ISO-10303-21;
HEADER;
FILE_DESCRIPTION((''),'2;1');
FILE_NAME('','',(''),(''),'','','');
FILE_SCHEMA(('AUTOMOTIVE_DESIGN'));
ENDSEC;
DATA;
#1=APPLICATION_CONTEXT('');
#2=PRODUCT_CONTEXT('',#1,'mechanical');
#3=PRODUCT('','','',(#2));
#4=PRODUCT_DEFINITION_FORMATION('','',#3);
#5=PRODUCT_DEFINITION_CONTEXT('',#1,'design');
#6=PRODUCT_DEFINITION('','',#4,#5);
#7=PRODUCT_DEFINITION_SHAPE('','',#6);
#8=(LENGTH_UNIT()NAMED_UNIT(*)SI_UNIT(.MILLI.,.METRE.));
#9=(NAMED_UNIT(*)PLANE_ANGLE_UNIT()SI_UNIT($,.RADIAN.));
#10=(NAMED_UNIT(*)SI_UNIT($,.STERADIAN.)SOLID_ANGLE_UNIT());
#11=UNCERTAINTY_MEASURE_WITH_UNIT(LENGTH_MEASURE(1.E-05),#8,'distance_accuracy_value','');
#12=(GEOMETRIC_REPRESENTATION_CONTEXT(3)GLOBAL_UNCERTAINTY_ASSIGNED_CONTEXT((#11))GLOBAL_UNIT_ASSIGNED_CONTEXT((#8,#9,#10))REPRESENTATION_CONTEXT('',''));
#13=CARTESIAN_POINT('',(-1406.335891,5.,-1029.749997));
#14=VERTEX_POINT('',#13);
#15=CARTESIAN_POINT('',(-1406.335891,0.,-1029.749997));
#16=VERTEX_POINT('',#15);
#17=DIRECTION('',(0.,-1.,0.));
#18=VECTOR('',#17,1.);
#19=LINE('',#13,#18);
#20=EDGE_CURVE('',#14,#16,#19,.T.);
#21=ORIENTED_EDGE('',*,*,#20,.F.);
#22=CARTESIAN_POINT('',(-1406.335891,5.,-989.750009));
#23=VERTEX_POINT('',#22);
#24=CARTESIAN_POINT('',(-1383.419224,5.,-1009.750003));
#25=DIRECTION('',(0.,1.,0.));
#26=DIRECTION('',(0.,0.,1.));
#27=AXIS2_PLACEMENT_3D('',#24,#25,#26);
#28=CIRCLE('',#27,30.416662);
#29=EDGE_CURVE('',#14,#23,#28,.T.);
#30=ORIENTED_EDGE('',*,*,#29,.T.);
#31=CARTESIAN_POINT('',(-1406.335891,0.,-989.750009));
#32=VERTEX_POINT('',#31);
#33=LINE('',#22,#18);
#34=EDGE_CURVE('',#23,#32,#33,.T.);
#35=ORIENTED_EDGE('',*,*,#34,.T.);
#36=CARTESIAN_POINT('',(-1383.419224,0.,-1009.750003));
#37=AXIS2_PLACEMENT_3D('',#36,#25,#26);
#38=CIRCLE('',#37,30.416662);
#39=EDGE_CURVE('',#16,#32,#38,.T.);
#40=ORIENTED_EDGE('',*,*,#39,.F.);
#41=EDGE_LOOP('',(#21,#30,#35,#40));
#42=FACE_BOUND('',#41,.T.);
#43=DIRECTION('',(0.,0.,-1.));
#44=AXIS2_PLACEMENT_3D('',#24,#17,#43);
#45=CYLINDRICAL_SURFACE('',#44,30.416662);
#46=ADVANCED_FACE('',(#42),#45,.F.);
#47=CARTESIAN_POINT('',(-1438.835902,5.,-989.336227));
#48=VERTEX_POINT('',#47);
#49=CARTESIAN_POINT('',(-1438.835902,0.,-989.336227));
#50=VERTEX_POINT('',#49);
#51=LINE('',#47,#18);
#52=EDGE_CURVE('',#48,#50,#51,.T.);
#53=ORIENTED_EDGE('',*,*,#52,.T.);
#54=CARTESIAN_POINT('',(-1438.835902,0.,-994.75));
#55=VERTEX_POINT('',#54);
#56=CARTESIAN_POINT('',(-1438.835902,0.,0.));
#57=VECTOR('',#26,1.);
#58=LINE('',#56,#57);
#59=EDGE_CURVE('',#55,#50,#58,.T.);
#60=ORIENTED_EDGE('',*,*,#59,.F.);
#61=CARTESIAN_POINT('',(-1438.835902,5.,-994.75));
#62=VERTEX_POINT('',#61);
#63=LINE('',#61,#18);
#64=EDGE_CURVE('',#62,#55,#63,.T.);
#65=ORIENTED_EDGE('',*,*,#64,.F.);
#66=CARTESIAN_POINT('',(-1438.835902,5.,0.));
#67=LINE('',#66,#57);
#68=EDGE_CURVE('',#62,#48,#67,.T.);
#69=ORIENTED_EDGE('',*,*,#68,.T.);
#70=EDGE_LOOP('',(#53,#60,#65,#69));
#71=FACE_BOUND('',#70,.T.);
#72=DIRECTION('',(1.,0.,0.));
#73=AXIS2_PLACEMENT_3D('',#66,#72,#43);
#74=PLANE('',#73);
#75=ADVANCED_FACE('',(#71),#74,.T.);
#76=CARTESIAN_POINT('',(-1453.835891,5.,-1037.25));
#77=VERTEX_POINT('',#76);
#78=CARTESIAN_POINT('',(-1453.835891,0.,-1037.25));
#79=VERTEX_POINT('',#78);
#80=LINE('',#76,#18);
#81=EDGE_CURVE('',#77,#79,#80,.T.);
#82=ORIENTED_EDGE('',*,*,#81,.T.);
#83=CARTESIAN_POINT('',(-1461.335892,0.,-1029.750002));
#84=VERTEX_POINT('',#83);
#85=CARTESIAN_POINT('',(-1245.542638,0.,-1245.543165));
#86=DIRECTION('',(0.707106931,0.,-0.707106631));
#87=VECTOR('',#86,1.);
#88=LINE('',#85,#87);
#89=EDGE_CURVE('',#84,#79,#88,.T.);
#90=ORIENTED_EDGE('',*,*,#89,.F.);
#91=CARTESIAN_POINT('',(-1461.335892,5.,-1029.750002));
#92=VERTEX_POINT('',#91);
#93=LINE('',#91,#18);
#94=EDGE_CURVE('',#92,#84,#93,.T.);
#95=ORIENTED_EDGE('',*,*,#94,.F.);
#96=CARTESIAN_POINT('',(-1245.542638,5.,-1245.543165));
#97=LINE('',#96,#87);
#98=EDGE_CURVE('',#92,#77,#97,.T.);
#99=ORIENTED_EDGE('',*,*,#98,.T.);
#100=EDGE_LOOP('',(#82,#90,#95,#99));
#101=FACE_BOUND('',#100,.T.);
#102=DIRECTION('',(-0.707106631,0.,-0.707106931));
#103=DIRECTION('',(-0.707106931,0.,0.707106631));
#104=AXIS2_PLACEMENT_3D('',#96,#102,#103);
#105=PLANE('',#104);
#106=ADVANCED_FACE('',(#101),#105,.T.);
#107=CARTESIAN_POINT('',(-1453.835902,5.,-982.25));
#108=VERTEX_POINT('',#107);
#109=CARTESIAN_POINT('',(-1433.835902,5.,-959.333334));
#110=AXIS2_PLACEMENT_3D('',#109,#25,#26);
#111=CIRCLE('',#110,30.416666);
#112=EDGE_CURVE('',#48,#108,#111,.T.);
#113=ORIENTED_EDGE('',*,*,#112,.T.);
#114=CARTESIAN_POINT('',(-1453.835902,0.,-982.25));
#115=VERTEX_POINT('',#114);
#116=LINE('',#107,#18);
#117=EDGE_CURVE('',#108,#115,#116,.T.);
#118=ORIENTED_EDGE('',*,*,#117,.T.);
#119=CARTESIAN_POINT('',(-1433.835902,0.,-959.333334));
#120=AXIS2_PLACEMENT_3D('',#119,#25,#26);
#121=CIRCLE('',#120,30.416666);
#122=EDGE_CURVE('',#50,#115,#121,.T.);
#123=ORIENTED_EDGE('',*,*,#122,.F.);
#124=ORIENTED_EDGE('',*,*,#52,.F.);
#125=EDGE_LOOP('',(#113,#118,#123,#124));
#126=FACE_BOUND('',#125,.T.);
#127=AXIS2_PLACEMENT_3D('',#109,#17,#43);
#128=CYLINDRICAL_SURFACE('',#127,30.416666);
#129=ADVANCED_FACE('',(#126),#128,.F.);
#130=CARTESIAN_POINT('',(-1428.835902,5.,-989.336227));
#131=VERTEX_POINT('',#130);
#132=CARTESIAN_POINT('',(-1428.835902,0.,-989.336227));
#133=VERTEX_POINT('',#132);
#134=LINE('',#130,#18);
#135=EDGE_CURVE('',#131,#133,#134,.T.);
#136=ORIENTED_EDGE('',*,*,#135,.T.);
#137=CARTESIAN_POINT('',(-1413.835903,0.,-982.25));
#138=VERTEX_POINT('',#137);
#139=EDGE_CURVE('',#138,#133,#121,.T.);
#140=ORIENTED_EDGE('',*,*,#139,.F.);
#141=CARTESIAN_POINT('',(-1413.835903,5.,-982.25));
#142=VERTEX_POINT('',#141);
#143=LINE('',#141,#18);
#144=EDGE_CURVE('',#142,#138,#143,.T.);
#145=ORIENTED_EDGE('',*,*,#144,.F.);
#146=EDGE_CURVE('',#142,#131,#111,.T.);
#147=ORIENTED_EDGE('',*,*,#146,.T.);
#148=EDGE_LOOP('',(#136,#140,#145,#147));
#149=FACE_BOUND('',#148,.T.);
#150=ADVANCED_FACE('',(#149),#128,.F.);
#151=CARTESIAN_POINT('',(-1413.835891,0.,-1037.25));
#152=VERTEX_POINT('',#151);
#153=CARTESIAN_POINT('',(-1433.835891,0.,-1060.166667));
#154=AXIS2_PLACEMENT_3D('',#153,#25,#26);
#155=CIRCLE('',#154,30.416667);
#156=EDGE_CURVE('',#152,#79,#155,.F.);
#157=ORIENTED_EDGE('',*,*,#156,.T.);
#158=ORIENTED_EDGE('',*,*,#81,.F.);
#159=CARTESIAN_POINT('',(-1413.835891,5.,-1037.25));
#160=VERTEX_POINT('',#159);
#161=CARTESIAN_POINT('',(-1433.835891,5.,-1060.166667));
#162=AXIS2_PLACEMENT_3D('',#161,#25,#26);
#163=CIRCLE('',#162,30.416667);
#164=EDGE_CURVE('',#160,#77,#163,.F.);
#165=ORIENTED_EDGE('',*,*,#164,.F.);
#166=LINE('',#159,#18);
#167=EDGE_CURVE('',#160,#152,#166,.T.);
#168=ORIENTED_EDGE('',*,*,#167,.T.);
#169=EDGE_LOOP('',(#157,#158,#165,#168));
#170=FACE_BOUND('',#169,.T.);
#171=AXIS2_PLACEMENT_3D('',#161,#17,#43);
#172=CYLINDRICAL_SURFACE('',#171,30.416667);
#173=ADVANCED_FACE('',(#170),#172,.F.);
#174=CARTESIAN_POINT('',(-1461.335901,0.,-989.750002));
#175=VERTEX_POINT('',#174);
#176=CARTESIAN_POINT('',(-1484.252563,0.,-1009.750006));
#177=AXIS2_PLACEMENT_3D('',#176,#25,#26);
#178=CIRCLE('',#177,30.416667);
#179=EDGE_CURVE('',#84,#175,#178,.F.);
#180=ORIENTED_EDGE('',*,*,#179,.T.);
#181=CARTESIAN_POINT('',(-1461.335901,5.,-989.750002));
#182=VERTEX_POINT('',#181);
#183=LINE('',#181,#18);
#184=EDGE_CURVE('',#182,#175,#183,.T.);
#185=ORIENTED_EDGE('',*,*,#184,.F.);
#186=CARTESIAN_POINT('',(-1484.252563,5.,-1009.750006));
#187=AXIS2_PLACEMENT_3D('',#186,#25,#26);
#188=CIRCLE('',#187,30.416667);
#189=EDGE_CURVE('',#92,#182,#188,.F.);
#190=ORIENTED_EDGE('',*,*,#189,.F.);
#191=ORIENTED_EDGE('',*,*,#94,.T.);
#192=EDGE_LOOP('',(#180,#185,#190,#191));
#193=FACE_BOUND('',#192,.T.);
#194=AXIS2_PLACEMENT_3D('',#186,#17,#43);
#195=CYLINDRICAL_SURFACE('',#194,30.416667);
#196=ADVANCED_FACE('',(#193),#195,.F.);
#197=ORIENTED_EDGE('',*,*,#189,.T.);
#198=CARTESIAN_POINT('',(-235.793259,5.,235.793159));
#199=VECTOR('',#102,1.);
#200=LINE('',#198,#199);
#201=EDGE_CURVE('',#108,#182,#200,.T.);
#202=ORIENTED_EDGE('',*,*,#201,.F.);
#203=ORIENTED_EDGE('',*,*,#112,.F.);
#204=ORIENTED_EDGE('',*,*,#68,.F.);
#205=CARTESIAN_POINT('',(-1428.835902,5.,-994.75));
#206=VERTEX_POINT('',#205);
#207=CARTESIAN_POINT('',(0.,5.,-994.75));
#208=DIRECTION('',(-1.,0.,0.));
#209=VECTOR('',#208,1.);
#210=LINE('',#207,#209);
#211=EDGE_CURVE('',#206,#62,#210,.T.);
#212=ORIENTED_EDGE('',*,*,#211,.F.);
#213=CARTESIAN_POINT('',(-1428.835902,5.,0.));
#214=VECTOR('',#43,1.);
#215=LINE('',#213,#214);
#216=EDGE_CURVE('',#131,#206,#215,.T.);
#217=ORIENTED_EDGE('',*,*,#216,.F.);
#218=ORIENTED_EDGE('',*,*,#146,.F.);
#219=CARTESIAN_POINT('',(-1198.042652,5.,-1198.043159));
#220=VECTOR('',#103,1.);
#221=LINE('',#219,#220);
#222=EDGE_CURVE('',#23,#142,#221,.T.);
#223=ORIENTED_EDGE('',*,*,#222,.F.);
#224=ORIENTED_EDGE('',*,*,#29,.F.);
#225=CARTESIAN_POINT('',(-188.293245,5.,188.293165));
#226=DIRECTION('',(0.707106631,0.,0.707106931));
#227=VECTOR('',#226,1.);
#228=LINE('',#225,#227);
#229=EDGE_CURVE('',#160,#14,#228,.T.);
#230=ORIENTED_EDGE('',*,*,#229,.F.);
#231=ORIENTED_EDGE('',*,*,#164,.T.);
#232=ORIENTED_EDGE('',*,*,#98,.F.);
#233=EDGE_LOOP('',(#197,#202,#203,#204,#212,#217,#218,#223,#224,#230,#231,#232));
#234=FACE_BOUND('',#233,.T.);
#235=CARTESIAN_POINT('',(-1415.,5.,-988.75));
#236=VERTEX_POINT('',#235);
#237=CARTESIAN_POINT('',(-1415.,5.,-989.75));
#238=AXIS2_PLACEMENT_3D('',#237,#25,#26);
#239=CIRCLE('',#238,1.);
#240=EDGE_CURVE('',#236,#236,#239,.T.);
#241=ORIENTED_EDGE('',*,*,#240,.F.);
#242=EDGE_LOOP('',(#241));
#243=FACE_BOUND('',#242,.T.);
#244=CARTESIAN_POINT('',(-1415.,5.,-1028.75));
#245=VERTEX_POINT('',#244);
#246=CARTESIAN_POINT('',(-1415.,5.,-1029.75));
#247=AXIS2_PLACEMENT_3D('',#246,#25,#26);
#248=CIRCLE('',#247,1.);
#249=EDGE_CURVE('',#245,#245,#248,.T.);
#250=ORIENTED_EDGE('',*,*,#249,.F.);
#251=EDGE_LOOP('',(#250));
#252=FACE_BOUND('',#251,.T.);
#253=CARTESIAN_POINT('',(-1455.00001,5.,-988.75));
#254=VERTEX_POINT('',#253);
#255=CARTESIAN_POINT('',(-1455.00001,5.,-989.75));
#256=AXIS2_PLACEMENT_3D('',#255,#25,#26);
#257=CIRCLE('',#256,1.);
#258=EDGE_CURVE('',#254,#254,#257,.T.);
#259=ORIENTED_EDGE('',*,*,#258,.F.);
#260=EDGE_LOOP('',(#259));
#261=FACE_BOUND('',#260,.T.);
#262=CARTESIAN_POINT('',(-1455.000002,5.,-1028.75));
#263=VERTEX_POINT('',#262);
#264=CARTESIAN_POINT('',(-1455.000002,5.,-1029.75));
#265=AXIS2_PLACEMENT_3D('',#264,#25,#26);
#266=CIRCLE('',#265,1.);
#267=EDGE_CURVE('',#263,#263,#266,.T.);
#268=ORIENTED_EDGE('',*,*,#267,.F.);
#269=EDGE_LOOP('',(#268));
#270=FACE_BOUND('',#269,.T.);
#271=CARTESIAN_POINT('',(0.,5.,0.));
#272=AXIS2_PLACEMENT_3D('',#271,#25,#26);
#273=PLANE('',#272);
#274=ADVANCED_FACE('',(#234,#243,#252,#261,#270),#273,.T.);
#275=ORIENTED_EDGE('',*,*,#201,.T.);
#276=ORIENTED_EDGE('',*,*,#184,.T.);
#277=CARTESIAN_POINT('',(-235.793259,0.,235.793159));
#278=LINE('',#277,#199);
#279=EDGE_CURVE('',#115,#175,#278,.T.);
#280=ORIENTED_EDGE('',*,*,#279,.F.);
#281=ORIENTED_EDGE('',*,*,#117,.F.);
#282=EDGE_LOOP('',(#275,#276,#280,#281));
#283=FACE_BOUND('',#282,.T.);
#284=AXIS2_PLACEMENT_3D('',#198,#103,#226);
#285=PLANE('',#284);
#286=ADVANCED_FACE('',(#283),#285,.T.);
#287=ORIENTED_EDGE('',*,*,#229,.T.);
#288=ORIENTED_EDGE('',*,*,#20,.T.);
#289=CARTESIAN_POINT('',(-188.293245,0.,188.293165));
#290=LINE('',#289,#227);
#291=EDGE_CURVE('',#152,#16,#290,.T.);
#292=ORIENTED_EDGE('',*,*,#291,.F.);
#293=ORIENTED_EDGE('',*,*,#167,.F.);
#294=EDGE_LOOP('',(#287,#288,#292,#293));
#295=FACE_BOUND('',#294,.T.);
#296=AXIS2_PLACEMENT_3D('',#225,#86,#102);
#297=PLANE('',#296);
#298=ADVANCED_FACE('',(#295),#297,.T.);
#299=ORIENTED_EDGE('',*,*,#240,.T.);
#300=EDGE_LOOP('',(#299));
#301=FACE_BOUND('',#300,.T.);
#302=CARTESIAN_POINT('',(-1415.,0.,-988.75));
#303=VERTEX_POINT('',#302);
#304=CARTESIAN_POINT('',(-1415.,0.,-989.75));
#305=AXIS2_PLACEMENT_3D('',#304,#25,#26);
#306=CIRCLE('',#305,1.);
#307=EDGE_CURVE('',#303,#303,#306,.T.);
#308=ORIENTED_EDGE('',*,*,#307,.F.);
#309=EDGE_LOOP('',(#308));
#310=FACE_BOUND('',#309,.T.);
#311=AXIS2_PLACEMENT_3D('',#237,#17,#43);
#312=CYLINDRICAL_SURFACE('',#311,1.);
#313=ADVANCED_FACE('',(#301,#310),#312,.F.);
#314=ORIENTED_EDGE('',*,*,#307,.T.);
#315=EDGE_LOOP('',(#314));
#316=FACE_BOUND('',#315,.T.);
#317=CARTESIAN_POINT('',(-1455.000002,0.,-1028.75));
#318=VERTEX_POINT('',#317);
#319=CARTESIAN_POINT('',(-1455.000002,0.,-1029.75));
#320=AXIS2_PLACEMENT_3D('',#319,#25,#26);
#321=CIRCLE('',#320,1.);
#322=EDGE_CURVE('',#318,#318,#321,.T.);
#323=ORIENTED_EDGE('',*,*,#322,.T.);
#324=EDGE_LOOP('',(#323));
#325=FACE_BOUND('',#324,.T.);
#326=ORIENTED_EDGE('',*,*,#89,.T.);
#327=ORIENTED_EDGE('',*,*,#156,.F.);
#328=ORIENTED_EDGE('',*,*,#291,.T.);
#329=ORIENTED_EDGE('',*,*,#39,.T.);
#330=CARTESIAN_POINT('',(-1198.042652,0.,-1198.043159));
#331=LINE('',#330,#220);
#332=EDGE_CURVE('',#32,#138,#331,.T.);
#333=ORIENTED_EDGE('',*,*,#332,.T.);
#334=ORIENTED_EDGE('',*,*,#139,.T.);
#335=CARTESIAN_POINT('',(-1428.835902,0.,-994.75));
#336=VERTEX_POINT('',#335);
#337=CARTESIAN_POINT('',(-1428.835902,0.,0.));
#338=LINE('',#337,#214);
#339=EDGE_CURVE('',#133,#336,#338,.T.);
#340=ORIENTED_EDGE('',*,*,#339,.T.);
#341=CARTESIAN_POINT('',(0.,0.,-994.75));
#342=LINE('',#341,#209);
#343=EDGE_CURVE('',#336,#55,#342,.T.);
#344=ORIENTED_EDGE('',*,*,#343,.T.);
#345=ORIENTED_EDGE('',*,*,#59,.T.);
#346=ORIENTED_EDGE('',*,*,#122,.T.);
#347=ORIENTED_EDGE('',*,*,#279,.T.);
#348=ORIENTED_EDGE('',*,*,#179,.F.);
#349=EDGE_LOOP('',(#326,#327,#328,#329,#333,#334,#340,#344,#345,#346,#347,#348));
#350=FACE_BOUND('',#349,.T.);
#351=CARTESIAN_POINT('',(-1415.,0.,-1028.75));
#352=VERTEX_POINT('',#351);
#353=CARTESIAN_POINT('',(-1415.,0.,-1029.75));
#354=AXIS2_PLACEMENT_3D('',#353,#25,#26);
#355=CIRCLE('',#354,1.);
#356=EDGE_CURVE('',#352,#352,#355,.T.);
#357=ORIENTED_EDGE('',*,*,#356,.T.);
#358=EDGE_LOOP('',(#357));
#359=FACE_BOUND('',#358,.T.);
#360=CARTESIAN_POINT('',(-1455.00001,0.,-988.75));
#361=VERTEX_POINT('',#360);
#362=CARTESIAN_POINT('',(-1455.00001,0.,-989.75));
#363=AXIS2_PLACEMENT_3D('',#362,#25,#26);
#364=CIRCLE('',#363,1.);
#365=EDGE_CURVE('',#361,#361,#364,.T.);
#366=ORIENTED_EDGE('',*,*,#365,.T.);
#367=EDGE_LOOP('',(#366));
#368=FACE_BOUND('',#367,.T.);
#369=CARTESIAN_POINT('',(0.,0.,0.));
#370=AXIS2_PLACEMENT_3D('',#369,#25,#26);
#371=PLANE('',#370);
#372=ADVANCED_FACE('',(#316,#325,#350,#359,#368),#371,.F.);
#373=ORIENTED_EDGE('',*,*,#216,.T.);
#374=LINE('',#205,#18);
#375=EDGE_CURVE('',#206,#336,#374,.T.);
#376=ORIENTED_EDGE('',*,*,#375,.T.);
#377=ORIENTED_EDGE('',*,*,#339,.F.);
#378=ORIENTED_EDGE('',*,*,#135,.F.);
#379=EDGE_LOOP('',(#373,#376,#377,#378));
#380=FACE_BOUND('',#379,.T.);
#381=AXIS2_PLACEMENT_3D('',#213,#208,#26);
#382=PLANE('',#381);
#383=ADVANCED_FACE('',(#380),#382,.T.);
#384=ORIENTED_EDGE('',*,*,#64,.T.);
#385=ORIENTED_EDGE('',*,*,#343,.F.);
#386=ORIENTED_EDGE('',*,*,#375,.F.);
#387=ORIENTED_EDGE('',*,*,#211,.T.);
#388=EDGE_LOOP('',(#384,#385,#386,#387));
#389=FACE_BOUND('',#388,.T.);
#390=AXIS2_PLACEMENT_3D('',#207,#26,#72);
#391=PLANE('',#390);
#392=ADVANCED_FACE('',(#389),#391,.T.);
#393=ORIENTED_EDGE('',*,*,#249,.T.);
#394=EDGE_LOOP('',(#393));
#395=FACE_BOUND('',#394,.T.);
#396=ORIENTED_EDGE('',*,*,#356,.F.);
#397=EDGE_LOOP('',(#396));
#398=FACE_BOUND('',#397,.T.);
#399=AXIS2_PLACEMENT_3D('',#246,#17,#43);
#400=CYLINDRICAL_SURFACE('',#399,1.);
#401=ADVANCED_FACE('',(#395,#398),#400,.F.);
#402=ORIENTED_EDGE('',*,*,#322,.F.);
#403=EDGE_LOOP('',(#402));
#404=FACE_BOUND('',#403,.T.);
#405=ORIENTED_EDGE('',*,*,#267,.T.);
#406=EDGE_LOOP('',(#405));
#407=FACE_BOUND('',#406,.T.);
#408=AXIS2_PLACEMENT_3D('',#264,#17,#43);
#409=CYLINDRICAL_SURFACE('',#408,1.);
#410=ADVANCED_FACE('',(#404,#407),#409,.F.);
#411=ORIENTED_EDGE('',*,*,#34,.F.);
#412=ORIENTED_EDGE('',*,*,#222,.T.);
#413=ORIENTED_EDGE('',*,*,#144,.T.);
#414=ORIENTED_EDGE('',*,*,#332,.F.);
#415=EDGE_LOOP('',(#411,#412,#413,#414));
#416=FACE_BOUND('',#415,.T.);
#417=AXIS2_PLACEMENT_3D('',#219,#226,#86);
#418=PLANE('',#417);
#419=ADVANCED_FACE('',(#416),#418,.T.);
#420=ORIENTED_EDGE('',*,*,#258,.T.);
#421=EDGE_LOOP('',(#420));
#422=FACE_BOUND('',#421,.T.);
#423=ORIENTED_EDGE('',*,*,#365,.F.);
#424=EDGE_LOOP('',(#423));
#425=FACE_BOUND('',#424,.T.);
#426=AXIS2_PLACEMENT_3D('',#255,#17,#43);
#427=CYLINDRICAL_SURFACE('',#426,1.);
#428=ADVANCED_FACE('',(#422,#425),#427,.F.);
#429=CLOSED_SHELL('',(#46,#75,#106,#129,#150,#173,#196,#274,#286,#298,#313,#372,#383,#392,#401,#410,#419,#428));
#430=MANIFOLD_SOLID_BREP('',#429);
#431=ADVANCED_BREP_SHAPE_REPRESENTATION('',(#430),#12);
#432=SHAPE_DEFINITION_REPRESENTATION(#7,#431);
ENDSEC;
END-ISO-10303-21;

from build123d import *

# Parameters (mm, degrees)
SKETCH1_R           = 1
BOSS_EXTRUDE1_DEPTH = 5


with BuildPart() as part:
    # Sketch1 → Boss-Extrude1 (new body)
    with BuildSketch(Plane(origin=(0, 0, 0), x_dir=(1, 0, 0), z_dir=(0, 1, 0))):
        with BuildLine():
            ThreePointArc((-1438.835902455, 989.336226708), (-1446.828348365, 986.835514311), (-1453.835902334, 982.25))
            Line((-1453.835902334, 982.25), (-1461.335900746, 989.750001588))
            ThreePointArc((-1461.335900746, 989.750001588), (-1453.835896511, 1009.75), (-1461.335892276, 1029.750001588))
            Line((-1461.335892276, 1029.750001588), (-1453.835890688, 1037.25))
            ThreePointArc((-1453.835890688, 1037.25), (-1433.835890688, 1029.75), (-1413.835890688, 1037.25))
            Line((-1413.835890688, 1037.25), (-1406.335890688, 1029.749996824))
            ThreePointArc((-1406.335890688, 1029.749996824), (-1413.835886887, 1009.750002768), (-1406.335890688, 989.750008712))
            Line((-1406.335890688, 989.750008712), (-1413.835902577, 982.25))
            ThreePointArc((-1413.835902577, 982.25), (-1420.843456545, 986.835514311), (-1428.835902455, 989.336226708))
            Line((-1428.835902455, 989.336226708), (-1428.835902455, 989.75))
            Line((-1428.835902455, 989.75), (-1428.835902455, 994.75))
            Line((-1428.835902455, 994.75), (-1433.835902455, 994.75))
            Line((-1433.835902455, 994.75), (-1438.835902455, 994.75))
            Line((-1438.835902455, 994.75), (-1438.835902455, 989.75))
            Line((-1438.835902455, 989.75), (-1438.835902455, 989.336226708))
        make_face()
        with Locations((-1415, 989.75)):
            Circle(SKETCH1_R, mode=Mode.SUBTRACT)
        with Locations((-1455.000010057, 989.75)):
            Circle(SKETCH1_R, mode=Mode.SUBTRACT)
        with Locations((-1415, 1029.75)):
            Circle(SKETCH1_R, mode=Mode.SUBTRACT)
        with Locations((-1455.000001588, 1029.75)):
            Circle(SKETCH1_R, mode=Mode.SUBTRACT)
    extrude(amount=BOSS_EXTRUDE1_DEPTH)


solid = part.part
